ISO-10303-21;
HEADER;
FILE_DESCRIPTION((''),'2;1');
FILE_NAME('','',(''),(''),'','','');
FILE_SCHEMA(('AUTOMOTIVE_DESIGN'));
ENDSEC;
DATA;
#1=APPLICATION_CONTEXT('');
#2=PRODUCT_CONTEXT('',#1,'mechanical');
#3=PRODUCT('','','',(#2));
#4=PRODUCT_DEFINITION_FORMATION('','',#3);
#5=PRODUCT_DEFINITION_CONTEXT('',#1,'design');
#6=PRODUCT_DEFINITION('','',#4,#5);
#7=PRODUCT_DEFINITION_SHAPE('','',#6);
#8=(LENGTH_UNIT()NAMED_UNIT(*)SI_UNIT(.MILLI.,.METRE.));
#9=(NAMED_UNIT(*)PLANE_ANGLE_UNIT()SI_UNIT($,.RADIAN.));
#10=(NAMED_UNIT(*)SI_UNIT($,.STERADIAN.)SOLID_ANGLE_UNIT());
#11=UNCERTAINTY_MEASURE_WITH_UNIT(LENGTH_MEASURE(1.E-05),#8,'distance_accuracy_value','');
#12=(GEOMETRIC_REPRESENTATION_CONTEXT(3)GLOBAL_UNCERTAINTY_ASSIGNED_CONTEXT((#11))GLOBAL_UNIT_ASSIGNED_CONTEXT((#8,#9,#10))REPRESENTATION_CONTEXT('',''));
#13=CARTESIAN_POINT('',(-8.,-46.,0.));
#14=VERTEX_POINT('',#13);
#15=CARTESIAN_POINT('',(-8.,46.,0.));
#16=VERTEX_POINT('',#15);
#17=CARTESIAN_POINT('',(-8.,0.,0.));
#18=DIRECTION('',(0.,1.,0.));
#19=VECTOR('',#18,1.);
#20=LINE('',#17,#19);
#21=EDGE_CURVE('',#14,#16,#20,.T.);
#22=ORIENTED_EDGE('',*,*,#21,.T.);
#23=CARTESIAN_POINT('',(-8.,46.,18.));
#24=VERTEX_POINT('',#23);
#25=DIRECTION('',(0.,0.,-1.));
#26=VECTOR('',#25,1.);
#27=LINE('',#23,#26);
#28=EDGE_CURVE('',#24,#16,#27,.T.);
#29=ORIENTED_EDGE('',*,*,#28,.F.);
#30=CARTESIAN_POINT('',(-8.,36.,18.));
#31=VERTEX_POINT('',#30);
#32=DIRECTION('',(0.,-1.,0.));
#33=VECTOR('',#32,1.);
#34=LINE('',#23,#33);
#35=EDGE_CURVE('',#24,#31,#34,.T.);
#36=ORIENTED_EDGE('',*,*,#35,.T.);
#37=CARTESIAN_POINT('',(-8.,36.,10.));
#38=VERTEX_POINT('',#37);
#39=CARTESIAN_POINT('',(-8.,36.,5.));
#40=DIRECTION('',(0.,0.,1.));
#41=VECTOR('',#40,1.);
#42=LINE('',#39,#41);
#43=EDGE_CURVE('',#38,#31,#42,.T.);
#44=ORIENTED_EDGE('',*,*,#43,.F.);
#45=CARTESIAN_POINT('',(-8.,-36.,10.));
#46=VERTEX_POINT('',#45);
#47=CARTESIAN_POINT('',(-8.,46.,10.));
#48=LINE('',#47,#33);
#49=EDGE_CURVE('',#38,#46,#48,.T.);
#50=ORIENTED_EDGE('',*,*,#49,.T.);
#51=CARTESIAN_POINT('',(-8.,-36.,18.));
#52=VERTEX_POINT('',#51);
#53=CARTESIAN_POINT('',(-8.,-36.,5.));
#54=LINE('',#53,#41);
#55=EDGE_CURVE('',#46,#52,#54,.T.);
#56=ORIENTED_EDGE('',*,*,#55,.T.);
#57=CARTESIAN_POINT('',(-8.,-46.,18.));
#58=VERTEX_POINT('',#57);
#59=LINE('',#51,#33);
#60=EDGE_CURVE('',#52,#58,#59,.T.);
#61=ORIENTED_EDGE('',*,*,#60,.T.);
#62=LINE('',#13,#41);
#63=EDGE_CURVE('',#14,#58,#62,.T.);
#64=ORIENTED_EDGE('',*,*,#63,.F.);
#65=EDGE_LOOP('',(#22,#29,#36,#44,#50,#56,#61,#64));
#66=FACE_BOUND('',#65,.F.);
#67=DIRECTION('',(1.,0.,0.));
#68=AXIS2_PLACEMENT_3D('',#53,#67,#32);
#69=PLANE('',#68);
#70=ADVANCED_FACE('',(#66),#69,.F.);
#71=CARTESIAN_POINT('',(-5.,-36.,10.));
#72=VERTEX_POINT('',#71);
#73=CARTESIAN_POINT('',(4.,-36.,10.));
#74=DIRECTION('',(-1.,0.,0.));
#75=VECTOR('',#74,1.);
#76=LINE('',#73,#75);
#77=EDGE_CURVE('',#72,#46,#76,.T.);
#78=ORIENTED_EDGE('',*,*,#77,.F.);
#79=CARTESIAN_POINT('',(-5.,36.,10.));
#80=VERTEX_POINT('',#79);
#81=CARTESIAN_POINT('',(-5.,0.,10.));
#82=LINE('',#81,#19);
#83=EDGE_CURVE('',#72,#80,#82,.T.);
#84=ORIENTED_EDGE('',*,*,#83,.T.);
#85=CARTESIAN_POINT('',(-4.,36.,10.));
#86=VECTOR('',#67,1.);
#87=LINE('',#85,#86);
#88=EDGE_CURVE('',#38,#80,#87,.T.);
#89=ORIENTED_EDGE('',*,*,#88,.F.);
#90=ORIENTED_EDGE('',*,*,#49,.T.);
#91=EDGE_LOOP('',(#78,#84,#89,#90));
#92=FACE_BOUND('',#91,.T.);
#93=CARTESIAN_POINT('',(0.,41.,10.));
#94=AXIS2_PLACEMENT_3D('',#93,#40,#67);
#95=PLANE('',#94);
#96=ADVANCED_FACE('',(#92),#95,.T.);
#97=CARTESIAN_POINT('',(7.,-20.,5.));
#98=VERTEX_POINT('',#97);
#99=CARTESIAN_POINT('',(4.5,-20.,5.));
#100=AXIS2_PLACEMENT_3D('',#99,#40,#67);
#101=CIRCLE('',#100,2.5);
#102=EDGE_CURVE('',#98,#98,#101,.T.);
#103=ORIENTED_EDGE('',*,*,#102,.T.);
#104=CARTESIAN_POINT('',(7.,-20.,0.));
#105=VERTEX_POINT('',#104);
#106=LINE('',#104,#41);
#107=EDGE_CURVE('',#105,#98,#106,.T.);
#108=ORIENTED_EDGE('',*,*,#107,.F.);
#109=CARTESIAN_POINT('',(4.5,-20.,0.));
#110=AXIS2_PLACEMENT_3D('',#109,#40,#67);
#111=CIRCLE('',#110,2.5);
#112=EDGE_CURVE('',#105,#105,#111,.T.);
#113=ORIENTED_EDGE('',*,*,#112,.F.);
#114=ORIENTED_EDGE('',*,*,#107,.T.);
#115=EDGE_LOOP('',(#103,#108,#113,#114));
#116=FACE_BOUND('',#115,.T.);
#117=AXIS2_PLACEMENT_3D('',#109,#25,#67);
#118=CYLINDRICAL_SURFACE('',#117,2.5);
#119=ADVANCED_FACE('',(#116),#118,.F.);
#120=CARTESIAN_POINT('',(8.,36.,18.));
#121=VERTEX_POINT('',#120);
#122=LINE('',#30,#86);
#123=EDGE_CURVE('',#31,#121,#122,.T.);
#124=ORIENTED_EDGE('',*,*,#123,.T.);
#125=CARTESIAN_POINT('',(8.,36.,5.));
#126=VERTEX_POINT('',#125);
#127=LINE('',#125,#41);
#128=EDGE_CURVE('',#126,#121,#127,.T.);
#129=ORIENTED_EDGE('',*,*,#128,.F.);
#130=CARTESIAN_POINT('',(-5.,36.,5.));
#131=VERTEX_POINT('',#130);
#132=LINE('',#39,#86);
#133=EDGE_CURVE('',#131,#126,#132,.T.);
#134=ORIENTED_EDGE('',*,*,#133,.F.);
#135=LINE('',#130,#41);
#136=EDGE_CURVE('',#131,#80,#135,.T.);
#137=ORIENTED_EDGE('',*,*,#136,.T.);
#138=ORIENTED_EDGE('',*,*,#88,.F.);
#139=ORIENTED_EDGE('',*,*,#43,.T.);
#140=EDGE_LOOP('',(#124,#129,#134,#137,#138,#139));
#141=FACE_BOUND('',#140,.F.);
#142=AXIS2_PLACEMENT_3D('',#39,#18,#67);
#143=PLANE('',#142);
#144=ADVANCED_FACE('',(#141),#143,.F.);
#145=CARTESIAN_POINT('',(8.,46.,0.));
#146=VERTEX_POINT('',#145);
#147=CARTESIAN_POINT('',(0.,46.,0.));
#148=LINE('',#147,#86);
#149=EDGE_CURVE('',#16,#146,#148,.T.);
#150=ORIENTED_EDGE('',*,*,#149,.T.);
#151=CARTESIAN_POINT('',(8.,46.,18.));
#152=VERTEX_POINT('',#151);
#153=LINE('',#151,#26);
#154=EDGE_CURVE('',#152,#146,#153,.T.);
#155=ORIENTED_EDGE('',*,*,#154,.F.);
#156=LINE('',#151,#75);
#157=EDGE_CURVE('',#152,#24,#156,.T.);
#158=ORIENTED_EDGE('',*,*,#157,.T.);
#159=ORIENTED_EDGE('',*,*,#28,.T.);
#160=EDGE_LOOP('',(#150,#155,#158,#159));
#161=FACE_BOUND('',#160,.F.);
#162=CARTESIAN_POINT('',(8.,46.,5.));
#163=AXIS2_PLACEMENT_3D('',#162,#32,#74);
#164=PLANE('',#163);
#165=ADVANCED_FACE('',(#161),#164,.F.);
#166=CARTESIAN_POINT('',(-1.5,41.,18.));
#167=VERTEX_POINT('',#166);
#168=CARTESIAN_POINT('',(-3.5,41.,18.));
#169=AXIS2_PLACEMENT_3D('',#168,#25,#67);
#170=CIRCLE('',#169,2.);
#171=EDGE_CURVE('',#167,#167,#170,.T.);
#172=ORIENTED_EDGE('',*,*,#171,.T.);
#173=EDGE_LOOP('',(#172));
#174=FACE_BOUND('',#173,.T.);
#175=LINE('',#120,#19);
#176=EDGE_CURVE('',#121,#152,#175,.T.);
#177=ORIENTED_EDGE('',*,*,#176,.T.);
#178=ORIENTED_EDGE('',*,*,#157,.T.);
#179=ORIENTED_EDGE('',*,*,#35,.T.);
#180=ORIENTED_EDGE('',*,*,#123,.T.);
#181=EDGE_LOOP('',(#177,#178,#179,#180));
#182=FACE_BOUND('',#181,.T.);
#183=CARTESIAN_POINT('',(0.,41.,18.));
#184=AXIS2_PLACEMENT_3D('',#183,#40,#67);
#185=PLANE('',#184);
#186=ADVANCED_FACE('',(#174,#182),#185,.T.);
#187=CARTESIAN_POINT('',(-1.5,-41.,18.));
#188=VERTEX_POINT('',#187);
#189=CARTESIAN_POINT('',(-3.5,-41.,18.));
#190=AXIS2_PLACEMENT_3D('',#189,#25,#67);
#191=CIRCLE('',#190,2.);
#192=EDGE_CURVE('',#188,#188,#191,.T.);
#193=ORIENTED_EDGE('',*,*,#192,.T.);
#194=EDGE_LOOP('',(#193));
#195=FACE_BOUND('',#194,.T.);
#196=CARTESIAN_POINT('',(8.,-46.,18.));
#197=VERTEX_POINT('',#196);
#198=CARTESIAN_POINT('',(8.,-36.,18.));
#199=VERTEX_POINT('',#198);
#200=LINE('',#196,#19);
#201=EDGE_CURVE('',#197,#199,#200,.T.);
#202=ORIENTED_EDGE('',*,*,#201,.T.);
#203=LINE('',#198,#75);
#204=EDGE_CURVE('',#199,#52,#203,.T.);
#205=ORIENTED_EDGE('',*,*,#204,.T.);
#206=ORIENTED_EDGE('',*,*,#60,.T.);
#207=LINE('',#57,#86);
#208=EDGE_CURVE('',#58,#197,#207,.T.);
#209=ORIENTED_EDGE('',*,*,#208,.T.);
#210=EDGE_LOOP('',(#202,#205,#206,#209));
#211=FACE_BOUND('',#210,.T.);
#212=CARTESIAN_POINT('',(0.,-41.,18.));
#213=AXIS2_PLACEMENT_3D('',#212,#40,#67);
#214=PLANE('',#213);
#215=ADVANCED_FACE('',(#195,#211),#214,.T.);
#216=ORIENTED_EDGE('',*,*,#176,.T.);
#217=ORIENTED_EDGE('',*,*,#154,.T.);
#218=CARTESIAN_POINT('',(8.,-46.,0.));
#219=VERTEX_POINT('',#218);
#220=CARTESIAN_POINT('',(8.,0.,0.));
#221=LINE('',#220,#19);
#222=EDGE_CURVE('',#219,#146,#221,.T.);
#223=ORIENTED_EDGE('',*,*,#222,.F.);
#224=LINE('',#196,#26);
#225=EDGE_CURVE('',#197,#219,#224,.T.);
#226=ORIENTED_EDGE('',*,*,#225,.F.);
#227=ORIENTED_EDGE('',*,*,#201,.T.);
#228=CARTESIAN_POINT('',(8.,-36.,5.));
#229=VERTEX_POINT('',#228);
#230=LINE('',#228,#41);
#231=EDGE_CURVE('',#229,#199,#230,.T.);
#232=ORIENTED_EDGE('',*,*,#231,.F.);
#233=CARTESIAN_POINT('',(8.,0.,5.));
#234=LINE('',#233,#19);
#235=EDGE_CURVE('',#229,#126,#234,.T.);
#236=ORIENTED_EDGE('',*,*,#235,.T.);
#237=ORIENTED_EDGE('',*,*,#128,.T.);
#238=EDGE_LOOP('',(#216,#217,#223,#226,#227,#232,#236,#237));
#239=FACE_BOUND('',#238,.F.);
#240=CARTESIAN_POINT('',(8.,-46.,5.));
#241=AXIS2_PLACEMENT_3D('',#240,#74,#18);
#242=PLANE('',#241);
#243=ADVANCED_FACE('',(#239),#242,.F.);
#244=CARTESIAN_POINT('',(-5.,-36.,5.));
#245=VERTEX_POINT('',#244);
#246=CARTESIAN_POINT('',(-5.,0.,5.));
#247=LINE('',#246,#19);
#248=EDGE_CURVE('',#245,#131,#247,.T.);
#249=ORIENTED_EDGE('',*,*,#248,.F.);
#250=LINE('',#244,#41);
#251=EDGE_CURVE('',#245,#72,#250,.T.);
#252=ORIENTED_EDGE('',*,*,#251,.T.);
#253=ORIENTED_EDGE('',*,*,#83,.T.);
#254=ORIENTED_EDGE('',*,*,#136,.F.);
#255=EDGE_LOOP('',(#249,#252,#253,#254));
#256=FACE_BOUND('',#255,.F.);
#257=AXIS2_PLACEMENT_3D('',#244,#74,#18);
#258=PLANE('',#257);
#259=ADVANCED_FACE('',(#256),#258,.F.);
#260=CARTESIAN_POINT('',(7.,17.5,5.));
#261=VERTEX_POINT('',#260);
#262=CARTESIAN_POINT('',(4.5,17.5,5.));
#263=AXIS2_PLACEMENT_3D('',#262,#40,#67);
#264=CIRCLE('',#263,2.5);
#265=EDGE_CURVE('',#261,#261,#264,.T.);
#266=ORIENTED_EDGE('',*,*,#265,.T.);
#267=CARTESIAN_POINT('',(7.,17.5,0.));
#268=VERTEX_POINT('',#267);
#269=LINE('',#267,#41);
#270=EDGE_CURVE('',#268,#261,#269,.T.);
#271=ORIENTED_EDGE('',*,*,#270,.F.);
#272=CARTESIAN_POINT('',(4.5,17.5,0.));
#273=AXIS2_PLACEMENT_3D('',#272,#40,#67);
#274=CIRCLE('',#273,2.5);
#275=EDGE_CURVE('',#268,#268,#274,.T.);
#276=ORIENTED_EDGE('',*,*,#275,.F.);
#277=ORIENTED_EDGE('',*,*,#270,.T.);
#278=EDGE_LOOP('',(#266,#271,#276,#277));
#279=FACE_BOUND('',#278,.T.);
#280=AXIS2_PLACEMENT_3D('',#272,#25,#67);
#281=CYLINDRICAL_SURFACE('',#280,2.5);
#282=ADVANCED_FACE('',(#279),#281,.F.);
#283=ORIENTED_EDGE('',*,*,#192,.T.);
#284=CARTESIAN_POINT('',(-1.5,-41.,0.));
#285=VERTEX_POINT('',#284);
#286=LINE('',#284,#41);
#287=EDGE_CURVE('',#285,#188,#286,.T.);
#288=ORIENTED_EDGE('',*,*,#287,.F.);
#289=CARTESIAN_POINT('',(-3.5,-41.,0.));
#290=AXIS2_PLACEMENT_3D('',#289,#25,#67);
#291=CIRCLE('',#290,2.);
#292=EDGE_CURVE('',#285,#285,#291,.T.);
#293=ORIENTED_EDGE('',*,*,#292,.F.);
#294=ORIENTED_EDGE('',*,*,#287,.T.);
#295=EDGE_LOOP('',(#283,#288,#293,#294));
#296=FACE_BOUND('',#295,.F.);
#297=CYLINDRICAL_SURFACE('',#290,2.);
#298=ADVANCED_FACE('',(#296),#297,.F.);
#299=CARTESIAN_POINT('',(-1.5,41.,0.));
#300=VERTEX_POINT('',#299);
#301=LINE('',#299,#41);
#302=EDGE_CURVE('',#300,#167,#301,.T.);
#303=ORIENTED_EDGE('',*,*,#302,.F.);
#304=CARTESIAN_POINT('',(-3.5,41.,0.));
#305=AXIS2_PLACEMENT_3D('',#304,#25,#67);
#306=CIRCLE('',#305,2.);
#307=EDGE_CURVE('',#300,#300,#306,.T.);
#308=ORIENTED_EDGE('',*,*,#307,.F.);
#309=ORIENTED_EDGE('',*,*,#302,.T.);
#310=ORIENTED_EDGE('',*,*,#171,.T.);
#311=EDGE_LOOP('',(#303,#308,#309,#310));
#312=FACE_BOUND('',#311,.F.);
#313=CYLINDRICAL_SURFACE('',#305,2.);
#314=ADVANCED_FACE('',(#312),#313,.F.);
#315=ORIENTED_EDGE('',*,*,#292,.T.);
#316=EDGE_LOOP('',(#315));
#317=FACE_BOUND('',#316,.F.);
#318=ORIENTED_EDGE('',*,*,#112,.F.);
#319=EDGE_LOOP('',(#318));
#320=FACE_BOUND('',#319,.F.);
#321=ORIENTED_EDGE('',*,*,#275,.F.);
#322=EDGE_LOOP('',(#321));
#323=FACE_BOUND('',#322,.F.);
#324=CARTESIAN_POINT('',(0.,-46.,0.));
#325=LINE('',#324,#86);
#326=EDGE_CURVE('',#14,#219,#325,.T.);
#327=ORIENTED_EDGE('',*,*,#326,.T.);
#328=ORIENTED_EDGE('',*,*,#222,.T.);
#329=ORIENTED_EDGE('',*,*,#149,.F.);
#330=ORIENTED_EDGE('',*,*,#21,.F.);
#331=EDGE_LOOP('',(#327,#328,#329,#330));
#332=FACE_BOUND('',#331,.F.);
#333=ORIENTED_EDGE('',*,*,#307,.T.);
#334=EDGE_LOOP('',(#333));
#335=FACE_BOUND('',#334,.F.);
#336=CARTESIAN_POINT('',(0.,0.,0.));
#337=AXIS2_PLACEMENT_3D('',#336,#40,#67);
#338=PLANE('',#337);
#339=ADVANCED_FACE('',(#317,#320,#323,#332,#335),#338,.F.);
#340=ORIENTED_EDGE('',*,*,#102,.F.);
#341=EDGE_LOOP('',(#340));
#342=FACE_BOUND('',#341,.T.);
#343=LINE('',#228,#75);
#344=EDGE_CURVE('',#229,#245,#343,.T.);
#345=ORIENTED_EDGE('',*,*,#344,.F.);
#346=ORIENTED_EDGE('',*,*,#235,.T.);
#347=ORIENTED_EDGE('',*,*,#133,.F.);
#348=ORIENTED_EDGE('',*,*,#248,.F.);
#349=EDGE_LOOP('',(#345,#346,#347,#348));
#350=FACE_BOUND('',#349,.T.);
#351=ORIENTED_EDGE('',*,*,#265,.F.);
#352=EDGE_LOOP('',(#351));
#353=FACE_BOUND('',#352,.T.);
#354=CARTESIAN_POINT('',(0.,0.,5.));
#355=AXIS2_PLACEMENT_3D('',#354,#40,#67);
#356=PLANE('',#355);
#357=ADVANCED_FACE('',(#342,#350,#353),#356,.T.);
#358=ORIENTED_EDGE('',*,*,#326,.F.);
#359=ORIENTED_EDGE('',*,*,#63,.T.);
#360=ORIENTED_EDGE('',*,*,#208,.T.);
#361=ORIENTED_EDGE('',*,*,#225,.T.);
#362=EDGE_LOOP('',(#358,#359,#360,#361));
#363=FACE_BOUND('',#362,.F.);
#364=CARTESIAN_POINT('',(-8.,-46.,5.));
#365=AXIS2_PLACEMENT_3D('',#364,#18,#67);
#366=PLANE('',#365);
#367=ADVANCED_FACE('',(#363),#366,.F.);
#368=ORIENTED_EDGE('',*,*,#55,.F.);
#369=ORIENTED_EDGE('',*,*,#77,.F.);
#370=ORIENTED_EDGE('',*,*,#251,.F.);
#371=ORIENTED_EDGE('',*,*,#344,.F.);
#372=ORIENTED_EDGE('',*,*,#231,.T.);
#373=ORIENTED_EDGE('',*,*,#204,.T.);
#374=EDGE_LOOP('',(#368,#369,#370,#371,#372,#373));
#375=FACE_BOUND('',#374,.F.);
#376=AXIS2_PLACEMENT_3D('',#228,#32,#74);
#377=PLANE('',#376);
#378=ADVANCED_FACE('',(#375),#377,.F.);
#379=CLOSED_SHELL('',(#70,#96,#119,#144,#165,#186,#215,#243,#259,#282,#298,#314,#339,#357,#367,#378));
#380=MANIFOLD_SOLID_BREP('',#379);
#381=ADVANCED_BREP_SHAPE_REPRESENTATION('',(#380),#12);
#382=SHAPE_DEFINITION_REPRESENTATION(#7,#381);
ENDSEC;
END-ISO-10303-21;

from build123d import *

# Parameters (mm, degrees)
F0_W     = 16
F0_H     = 92
F0_R     = 2.5
F1_DEPTH = 5
F3_DEPTH = 13
F2_W     = 3
F2_H     = 72
F4_DEPTH = 5
F5_R     = 2
F6_DEPTH = 25


with BuildPart() as f1:
    # F0 (on Top) → F1 (new body)
    with BuildSketch(Plane.XY):
        Rectangle(F0_W, F0_H)
        with Locations((4.5, -20)):
            Circle(F0_R, mode=Mode.SUBTRACT)
        with Locations((4.5, 17.5)):
            Circle(F0_R, mode=Mode.SUBTRACT)
    extrude(amount=F1_DEPTH)

    # F2 (on face) → F3 (join)
    with BuildSketch(Plane.XY.offset(5)):
        Polygon((-5, -36), (-8, -36), (-8, -46), (8, -46), (8, -36), align=None)
        Polygon((8, 46), (-8, 46), (-8, 36), (-5, 36), (8, 36), align=None)
    extrude(amount=F3_DEPTH)

    # F2 (on face) → F4 (join)
    with BuildSketch(Plane.XY.offset(5)):
        Polygon((8, 46), (-8, 46), (-8, 36), (-5, 36), (8, 36), align=None)
        with Locations((-6.5, 0)):
            Rectangle(F2_W, F2_H)
        Polygon((-5, -36), (-8, -36), (-8, -46), (8, -46), (8, -36), align=None)
    extrude(amount=F4_DEPTH)

    # F5 (on face) → F6 (cut)
    with BuildSketch(Plane(origin=(0, 0, 0), x_dir=(1, 0, 0), z_dir=(0, 0, -1))):
        with Locations((-3.5, -41)):
            Circle(F5_R)
        with Locations((-3.5, 41)):
            Circle(F5_R)
    extrude(amount=-F6_DEPTH, mode=Mode.SUBTRACT)


solid = f1.part
